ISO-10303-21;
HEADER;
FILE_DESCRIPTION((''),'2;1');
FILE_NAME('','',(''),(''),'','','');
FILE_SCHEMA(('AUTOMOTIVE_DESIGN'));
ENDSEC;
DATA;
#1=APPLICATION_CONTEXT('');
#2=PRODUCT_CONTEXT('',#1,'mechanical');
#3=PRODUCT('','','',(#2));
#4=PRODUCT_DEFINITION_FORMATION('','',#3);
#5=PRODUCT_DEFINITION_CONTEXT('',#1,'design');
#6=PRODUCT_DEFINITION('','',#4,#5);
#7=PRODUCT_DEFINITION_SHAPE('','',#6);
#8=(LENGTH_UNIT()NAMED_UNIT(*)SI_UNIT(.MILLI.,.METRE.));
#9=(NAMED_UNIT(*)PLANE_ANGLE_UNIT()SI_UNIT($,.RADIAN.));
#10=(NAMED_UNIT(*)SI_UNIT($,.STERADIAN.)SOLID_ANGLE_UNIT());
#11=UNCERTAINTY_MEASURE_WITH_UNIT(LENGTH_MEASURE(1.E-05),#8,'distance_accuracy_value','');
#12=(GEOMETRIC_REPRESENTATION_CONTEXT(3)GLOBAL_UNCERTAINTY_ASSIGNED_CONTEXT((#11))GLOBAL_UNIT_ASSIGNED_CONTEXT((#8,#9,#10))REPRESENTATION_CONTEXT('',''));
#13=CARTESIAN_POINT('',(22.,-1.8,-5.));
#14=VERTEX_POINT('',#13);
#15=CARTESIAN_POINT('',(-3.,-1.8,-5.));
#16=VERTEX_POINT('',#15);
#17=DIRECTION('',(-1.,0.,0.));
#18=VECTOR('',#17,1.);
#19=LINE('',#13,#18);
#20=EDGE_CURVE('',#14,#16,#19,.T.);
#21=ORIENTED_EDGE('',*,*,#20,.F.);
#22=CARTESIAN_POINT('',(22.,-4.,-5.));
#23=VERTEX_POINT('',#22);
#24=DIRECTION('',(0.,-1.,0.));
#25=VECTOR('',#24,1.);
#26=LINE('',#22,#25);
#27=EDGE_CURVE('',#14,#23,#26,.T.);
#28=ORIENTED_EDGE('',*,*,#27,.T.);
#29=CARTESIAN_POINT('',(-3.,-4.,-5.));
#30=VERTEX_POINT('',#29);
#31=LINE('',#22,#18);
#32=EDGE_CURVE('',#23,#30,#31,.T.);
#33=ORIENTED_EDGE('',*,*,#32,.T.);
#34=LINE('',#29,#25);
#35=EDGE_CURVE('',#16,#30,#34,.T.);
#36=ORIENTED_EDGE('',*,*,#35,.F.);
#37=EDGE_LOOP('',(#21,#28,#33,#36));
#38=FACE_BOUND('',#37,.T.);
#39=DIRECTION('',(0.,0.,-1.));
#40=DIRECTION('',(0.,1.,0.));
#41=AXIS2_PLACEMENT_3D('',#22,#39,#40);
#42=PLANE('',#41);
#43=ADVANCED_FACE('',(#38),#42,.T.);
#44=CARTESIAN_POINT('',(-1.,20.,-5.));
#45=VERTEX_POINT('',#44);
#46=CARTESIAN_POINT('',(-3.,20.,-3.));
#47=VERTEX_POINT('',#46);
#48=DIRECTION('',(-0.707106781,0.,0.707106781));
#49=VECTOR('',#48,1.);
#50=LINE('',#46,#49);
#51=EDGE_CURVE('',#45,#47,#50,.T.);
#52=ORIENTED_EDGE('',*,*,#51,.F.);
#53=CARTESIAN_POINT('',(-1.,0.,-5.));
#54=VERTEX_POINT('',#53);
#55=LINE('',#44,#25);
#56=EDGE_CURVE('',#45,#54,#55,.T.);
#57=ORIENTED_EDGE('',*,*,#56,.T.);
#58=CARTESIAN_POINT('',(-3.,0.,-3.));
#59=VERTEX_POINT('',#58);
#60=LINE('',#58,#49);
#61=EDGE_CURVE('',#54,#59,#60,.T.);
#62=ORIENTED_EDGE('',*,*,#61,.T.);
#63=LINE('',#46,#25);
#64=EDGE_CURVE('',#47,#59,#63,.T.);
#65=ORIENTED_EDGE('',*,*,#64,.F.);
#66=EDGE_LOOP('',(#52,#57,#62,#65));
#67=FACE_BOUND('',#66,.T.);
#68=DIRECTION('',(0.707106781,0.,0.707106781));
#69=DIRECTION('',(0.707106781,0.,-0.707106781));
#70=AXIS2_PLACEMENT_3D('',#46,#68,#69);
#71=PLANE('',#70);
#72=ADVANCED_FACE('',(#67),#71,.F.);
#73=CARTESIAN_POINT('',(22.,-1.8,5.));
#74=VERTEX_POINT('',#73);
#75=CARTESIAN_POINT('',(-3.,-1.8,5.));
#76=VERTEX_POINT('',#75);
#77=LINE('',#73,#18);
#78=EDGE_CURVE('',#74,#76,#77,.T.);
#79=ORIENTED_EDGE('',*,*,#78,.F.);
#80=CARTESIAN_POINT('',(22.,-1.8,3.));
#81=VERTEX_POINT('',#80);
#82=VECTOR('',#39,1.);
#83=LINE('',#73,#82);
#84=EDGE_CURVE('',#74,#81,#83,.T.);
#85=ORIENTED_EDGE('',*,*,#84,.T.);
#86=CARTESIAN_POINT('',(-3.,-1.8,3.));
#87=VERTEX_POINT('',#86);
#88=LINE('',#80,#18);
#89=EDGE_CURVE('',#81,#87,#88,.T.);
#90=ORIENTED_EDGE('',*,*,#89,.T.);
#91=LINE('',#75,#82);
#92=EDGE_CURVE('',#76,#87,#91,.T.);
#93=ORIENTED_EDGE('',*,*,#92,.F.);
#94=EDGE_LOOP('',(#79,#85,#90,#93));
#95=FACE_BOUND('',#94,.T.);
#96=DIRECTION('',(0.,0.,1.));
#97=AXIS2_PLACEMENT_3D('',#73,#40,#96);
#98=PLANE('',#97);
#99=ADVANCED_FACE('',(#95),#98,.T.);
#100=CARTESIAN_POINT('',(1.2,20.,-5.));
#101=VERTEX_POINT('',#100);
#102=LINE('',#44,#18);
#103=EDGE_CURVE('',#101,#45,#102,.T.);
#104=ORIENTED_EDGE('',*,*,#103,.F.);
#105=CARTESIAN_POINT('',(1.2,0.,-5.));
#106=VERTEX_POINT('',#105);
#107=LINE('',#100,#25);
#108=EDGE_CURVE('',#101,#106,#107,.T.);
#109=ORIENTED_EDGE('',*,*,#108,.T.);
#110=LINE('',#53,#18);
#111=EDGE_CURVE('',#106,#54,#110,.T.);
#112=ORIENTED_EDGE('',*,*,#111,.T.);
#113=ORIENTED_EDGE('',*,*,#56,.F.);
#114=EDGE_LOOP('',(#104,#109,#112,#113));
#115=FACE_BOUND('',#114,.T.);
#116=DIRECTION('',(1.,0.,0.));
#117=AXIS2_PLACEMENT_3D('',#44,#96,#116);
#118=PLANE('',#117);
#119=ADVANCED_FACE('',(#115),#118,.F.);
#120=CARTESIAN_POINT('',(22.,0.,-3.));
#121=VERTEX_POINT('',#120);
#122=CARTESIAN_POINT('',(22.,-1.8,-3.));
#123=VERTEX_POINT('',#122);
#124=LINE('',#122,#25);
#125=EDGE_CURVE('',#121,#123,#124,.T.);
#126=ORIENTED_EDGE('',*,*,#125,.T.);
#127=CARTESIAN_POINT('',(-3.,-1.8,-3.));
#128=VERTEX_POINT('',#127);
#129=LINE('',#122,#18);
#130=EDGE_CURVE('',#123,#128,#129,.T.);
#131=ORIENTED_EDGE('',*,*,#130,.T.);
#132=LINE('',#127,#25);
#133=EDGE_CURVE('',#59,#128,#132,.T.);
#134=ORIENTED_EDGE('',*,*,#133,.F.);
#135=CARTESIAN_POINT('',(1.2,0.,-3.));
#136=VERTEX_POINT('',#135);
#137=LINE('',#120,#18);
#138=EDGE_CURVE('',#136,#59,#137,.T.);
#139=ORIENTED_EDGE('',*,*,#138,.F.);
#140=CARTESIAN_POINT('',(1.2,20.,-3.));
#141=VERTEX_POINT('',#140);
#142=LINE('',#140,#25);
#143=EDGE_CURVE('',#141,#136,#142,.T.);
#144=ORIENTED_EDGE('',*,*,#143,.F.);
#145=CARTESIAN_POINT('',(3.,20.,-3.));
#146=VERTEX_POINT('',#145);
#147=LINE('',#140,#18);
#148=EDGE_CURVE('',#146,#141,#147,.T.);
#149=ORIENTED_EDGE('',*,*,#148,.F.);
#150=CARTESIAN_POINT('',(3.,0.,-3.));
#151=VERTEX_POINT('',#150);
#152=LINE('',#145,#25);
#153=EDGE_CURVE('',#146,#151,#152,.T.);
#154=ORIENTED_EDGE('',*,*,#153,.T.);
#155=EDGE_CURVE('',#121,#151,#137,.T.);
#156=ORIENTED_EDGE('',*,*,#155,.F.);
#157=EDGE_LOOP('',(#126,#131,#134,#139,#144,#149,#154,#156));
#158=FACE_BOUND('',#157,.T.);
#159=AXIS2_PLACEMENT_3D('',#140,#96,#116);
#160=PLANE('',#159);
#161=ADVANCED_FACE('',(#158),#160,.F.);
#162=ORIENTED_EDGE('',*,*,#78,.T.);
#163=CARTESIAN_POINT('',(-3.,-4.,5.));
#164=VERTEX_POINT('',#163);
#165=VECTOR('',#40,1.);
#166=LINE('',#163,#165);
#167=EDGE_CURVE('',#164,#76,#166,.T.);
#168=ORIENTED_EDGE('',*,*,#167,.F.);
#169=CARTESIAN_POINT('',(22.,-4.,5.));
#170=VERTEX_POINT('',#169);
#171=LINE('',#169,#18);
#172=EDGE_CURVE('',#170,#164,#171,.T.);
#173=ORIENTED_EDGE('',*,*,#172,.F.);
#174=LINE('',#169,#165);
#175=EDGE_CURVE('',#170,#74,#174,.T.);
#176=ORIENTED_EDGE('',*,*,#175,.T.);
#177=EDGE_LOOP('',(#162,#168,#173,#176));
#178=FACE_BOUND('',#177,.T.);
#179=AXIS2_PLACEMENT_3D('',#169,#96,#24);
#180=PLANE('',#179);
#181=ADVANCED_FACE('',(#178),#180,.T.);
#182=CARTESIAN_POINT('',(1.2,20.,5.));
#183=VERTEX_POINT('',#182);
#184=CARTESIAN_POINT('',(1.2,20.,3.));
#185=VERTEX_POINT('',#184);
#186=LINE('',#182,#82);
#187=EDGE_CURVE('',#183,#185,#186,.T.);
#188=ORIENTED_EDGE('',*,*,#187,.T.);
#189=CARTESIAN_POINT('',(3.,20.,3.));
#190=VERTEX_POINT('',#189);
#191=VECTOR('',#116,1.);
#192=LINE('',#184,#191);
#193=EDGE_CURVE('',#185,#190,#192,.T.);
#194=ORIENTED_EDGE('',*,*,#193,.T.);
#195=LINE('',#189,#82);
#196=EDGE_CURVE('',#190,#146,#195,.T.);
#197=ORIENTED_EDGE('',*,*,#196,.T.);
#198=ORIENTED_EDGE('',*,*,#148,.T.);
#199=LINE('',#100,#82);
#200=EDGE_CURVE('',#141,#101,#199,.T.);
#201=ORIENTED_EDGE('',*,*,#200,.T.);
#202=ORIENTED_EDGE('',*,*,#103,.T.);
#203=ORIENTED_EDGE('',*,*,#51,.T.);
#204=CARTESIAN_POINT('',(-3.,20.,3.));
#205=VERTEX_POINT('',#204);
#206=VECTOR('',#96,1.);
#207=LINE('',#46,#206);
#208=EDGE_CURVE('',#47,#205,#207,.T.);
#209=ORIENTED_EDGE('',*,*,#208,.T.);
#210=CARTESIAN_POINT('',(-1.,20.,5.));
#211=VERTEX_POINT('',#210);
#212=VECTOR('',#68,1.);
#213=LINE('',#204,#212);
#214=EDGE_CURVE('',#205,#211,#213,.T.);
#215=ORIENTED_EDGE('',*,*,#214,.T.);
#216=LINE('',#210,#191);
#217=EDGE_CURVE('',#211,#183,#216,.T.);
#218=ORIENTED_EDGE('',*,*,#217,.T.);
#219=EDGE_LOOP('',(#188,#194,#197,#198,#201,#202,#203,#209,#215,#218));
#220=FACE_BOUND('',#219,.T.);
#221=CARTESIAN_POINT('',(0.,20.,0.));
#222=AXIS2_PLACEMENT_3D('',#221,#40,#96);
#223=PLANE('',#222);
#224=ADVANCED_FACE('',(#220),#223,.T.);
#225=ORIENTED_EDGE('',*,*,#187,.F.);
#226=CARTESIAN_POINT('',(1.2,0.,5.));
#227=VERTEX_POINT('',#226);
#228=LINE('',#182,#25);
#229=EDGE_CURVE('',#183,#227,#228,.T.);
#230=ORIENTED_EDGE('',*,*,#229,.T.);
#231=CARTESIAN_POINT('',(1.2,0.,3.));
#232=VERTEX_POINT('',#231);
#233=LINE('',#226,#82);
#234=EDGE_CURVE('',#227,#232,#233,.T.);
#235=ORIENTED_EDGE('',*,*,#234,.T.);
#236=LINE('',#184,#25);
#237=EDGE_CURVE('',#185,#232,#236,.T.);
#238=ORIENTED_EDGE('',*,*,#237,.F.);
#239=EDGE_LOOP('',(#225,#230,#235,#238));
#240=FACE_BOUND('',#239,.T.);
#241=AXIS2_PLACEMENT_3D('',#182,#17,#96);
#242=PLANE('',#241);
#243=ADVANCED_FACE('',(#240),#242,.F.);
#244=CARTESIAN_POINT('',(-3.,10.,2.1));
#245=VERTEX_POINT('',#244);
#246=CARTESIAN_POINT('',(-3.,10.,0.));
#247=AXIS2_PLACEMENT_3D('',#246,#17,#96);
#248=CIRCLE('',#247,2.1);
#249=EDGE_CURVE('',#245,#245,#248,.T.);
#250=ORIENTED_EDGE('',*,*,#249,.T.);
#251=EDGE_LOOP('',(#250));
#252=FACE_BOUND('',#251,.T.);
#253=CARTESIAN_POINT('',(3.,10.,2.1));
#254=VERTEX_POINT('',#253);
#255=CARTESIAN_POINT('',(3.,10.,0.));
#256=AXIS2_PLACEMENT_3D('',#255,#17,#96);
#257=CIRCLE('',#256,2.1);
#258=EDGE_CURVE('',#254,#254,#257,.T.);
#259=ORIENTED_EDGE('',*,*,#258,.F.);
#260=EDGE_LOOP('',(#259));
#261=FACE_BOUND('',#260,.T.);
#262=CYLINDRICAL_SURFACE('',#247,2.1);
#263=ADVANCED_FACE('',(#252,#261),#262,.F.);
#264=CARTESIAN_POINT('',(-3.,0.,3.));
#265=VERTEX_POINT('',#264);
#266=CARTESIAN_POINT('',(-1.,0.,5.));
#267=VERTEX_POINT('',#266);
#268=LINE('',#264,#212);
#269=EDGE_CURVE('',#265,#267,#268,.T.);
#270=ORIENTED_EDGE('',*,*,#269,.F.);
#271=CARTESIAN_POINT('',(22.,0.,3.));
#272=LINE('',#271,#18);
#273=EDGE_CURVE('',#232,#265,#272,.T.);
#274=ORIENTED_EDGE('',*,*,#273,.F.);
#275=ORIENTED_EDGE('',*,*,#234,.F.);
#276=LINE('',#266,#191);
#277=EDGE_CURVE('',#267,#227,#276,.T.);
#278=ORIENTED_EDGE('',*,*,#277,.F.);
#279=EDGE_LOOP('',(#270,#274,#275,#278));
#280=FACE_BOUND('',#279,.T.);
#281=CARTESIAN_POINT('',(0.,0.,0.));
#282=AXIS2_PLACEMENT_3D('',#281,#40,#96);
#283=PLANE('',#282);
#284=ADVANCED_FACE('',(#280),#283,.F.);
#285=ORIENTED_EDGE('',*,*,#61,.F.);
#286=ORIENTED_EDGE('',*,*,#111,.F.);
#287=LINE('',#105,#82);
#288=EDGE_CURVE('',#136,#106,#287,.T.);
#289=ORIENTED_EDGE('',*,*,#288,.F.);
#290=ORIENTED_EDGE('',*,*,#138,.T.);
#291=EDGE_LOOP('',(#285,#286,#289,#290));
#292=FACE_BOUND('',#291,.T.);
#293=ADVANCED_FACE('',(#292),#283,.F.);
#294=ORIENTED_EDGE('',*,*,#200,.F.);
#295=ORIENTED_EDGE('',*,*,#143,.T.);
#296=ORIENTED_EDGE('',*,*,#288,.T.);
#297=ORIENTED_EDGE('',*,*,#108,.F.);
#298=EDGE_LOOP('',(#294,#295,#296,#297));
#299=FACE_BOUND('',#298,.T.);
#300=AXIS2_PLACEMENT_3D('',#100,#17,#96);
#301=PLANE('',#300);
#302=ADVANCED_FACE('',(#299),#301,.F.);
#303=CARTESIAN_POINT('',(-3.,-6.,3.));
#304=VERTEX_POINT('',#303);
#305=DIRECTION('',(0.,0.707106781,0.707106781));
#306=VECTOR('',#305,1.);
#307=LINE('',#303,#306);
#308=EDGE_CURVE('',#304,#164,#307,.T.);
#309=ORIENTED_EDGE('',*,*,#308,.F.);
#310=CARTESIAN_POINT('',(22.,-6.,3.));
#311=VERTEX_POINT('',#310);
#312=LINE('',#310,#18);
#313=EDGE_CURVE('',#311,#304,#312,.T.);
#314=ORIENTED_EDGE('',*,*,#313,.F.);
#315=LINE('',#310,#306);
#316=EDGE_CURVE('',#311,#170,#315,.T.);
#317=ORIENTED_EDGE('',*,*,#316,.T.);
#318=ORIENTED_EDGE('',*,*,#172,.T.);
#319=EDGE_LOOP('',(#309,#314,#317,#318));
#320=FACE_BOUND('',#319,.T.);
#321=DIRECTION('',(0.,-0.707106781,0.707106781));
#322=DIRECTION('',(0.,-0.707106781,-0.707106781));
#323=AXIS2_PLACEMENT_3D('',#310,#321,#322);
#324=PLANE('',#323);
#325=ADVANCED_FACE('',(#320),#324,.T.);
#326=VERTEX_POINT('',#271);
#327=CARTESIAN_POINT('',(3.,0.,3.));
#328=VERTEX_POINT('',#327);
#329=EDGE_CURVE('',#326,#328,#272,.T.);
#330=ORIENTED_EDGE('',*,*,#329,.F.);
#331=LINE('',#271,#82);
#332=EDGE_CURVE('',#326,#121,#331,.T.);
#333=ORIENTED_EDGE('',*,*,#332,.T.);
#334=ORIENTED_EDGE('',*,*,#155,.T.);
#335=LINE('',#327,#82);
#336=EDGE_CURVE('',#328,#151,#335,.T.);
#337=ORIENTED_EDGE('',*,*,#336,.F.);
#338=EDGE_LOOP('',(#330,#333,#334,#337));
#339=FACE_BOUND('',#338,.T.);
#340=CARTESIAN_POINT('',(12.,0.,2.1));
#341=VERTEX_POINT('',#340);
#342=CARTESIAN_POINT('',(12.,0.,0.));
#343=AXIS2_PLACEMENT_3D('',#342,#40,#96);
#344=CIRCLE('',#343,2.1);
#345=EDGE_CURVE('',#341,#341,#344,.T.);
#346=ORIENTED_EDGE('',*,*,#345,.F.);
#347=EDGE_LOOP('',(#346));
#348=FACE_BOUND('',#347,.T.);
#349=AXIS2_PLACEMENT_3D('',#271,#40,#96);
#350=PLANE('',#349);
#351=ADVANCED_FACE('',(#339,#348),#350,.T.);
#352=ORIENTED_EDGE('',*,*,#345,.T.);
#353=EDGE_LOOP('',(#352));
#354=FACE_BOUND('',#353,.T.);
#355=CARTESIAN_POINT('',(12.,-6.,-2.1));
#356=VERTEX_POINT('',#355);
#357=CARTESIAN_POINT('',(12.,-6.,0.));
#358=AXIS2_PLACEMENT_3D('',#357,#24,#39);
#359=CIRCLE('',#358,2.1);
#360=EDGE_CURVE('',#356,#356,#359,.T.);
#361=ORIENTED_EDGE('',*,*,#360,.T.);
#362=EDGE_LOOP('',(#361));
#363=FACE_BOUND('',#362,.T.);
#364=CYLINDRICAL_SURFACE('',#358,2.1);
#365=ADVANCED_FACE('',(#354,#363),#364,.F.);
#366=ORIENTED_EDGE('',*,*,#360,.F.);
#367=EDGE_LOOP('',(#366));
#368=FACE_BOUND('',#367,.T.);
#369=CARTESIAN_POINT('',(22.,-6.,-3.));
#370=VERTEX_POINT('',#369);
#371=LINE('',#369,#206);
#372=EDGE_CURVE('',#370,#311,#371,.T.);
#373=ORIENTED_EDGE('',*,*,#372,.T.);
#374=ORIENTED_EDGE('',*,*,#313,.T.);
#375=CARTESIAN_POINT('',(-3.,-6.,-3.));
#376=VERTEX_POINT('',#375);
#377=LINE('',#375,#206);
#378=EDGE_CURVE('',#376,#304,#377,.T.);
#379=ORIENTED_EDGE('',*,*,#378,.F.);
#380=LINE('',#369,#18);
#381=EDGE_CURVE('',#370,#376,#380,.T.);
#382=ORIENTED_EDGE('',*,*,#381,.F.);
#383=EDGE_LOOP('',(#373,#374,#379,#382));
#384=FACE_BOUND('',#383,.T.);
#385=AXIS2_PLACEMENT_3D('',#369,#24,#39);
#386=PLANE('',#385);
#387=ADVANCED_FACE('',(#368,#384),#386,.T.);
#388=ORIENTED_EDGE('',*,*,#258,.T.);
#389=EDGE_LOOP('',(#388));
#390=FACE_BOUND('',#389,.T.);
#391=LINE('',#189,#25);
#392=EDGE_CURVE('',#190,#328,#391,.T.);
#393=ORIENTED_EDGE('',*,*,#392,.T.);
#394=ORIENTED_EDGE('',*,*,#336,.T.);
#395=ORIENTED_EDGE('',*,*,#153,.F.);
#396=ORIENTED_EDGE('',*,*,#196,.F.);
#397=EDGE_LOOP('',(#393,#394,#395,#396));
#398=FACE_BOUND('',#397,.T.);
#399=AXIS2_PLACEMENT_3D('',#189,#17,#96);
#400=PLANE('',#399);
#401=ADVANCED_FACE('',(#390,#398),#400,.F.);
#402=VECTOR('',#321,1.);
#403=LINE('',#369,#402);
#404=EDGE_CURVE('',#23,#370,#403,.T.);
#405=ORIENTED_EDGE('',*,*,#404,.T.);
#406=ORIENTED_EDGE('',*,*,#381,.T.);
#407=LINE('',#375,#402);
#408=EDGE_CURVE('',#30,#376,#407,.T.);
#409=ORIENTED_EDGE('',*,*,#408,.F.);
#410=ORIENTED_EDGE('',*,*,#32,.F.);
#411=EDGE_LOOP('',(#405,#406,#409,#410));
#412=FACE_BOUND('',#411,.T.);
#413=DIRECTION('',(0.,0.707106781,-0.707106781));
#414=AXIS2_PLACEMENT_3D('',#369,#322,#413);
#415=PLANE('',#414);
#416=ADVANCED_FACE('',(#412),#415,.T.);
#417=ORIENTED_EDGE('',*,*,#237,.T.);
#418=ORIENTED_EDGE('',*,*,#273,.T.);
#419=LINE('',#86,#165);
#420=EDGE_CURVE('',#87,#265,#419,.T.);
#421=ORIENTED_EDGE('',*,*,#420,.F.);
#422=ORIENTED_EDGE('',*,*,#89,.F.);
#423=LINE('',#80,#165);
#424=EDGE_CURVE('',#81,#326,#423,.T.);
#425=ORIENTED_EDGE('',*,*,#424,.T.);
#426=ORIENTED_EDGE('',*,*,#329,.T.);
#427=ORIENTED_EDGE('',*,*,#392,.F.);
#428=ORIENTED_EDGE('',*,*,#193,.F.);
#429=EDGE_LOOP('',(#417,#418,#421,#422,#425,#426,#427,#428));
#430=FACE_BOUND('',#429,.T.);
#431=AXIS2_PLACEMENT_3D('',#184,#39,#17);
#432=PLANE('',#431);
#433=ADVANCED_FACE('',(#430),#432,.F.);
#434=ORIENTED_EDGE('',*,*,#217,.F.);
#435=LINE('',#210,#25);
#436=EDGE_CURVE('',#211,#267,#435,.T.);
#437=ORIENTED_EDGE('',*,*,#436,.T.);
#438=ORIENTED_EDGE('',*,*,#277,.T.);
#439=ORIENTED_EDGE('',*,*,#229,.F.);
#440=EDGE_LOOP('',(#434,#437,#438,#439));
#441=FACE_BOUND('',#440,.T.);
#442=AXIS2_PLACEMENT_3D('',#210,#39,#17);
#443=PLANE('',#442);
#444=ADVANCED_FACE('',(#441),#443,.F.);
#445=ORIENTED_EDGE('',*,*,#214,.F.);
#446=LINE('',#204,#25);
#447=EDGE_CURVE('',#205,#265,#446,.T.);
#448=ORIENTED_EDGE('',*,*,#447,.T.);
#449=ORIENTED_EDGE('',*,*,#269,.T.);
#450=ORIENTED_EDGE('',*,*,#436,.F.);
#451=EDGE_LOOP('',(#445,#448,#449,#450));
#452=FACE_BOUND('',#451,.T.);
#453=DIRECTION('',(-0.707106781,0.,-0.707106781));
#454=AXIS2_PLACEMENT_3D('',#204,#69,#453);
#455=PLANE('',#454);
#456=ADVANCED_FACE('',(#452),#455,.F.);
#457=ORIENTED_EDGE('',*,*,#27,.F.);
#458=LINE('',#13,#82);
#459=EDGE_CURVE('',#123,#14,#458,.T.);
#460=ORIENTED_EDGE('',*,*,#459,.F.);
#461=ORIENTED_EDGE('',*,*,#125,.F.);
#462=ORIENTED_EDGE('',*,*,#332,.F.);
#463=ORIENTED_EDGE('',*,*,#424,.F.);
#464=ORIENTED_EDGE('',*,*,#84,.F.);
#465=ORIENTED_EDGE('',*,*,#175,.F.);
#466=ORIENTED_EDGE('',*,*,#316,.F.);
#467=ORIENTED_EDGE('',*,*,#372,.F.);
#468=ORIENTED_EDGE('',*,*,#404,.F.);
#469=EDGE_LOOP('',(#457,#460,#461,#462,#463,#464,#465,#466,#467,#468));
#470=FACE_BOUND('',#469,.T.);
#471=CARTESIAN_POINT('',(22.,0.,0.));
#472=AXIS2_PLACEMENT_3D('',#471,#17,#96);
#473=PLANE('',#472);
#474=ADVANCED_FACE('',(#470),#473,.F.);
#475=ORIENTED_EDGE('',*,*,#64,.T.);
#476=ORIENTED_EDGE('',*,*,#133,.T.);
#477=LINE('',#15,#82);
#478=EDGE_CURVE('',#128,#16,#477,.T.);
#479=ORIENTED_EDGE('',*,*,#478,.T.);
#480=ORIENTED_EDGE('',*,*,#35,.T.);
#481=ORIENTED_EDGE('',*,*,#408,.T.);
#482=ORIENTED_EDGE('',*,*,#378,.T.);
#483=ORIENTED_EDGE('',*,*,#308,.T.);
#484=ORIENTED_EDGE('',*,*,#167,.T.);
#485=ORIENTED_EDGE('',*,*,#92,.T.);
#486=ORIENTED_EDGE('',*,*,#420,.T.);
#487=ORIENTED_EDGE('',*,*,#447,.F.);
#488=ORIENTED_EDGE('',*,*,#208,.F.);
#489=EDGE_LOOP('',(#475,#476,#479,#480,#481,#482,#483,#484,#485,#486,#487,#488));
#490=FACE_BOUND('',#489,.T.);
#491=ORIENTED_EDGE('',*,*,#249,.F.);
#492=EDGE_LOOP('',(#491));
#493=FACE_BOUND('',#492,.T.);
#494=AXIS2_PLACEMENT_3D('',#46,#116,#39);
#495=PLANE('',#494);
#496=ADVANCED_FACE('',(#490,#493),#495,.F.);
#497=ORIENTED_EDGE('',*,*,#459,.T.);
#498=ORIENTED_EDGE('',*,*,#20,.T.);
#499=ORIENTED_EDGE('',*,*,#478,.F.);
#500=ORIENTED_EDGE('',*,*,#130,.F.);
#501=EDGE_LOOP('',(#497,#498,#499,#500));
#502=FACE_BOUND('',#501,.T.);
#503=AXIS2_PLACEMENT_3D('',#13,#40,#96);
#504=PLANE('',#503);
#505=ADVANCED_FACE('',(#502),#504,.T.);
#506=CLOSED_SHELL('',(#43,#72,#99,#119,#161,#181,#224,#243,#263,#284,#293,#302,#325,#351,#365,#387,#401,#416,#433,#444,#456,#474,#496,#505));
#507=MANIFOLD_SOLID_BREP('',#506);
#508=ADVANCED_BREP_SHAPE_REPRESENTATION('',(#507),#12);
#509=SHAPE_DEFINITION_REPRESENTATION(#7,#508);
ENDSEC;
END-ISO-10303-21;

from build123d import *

# Parameters (mm, degrees)
EXTRUDE_1_DEPTH    = 20
EXTRUDE_2_DEPTH    = 25
HOLE_WIZARD_M5_1_D = 4.2
HOLE_WIZARD_M5_2_D = 4.2


with BuildPart() as part:
    # 草图1 → 凸台-拉伸1 (new body)
    with BuildSketch(Plane(origin=(0, 0, 0), x_dir=(1, 0, 0), z_dir=(0, 1, 0))):
        Polygon((-3, 3), (-3, -3), (-1, -5), (1.2, -5), (1.2, -3), (3, -3), (3, 3), (1.2, 3), (1.2, 5), (-1, 5), align=None)
    extrude(amount=EXTRUDE_1_DEPTH)

    # 草图3 → 凸台-拉伸2 (add)
    with BuildSketch(Plane.ZY.offset(3)):
        Polygon((-3, -6), (3, -6), (5, -4), (5, -1.8), (3, -1.8), (3, 0), (-3, 0), (-3, -1.8), (-5, -1.8), (-5, -4), align=None)
    extrude(amount=-EXTRUDE_2_DEPTH)

    # M5 螺纹孔1 (through all)
    with Locations(Plane.ZY.offset(3)):
        with Locations((0, 10)):
            Hole(HOLE_WIZARD_M5_1_D / 2)

    # M5 螺纹孔2 (through all)
    with Locations(Plane(origin=(0, -6, 0), x_dir=(-1, 0, 0), z_dir=(0, -1, 0))):
        with Locations((-12, 0)):
            Hole(HOLE_WIZARD_M5_2_D / 2)


solid = part.part
